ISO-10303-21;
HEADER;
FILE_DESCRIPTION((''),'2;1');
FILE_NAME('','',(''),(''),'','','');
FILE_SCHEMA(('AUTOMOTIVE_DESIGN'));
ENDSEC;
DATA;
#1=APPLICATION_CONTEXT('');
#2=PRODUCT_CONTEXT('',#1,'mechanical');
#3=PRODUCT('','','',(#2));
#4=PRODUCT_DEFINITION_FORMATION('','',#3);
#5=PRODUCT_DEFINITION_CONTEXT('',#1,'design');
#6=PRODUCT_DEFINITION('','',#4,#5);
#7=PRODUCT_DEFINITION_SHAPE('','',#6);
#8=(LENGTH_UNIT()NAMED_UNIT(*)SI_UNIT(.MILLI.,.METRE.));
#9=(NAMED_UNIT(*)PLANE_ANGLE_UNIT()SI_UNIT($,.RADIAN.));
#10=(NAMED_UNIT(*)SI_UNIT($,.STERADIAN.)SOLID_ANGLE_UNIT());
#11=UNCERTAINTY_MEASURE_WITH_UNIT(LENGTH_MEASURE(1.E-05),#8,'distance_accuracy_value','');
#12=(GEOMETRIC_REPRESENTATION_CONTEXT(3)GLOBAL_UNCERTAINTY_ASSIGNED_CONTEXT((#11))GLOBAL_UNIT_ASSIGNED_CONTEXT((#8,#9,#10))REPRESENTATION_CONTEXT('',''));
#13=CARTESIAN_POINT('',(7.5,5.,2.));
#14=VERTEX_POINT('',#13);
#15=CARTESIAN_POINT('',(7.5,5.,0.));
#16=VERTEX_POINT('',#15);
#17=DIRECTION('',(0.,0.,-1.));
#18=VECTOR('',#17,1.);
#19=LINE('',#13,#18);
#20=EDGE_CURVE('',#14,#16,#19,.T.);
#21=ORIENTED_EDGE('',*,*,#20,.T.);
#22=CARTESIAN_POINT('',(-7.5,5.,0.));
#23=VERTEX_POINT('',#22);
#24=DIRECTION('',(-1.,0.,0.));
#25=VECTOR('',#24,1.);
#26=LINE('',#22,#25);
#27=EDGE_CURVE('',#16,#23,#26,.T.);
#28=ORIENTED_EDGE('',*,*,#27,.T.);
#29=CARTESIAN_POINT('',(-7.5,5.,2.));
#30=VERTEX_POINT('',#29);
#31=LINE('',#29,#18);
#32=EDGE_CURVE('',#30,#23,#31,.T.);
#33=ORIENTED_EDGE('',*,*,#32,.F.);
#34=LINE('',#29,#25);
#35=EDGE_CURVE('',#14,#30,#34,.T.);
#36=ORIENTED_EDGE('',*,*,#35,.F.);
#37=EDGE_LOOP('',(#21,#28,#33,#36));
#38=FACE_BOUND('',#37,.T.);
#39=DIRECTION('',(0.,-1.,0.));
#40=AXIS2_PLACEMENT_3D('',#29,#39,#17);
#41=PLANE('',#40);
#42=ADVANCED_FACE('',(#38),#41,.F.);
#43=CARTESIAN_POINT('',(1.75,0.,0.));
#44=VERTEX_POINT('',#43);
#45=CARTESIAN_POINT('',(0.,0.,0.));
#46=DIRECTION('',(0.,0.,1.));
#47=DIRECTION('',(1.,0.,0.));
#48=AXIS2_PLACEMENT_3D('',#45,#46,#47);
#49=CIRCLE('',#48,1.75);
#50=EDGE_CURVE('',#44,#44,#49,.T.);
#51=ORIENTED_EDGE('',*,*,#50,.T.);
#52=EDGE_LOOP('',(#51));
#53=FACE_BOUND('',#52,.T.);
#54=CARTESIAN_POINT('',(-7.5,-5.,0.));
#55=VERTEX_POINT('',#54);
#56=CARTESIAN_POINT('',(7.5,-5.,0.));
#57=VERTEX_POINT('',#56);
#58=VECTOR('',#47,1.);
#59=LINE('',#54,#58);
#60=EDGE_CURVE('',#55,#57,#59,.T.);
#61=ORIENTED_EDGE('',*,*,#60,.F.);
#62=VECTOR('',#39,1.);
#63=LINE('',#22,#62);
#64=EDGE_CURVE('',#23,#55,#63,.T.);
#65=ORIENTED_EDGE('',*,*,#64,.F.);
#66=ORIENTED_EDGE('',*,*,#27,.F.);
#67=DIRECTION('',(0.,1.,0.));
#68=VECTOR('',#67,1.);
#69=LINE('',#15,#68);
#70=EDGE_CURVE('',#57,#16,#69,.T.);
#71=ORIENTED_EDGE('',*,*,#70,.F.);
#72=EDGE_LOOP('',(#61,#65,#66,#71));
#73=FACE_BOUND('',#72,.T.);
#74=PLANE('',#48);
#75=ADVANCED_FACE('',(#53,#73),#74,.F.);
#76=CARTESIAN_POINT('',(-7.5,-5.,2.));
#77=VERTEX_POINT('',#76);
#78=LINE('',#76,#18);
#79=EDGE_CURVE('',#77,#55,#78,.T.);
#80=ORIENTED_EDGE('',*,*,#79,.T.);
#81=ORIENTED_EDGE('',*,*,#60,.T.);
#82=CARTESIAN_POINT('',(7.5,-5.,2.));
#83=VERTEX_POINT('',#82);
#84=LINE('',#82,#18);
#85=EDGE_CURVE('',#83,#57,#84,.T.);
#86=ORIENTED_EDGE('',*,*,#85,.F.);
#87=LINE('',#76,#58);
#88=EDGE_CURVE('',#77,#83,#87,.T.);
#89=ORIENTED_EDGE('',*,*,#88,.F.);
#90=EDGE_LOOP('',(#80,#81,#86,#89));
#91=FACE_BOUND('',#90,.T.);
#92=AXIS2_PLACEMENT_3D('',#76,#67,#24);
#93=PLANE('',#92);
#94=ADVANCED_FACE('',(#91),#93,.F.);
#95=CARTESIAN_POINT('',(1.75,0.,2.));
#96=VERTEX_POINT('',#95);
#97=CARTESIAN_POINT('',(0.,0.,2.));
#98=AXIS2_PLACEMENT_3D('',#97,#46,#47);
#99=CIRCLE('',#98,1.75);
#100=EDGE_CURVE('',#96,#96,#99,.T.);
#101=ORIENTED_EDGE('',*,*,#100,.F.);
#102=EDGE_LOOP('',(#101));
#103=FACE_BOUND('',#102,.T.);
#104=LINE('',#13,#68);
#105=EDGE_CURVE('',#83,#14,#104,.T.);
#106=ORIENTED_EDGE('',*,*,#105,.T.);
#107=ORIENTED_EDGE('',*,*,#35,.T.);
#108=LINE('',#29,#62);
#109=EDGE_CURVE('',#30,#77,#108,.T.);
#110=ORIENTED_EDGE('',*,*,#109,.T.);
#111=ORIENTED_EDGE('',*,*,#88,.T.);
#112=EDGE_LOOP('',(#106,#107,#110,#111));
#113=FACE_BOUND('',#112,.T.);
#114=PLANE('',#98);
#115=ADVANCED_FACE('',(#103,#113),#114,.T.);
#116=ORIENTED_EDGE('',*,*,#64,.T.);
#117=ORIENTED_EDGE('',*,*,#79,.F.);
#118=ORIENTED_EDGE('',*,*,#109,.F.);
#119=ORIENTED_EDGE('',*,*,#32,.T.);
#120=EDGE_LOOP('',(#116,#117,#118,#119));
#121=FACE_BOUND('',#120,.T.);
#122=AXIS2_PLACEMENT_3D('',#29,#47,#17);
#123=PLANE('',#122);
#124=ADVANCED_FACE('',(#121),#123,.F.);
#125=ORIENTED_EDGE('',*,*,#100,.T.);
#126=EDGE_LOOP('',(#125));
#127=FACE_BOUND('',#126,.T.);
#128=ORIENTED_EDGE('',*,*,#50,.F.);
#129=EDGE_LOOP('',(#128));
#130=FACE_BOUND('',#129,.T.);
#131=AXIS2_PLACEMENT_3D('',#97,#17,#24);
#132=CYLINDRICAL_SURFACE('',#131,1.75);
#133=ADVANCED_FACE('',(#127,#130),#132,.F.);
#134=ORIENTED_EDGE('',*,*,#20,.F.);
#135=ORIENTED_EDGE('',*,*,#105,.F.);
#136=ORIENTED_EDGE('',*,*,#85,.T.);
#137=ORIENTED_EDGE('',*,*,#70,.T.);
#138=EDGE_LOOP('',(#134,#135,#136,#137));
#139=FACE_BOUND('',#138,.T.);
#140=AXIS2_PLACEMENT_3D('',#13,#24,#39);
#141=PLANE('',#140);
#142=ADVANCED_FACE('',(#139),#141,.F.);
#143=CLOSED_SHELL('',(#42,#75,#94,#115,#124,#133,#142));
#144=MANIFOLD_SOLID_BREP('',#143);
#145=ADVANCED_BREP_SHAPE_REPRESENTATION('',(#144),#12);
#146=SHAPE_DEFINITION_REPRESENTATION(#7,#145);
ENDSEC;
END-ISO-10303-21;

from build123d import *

# Parameters (mm, degrees)
ESQUISSE2_W        = 15
ESQUISSE2_H        = 10
ESQUISSE2_R        = 1.75
BOSS_EXTRU_1_DEPTH = 2


with BuildPart() as part:
    # Esquisse2 → Boss.-Extru.1 (new body)
    with BuildSketch(Plane.XY):
        Rectangle(ESQUISSE2_W, ESQUISSE2_H)
        Circle(ESQUISSE2_R, mode=Mode.SUBTRACT)
    extrude(amount=BOSS_EXTRU_1_DEPTH)


solid = part.part
